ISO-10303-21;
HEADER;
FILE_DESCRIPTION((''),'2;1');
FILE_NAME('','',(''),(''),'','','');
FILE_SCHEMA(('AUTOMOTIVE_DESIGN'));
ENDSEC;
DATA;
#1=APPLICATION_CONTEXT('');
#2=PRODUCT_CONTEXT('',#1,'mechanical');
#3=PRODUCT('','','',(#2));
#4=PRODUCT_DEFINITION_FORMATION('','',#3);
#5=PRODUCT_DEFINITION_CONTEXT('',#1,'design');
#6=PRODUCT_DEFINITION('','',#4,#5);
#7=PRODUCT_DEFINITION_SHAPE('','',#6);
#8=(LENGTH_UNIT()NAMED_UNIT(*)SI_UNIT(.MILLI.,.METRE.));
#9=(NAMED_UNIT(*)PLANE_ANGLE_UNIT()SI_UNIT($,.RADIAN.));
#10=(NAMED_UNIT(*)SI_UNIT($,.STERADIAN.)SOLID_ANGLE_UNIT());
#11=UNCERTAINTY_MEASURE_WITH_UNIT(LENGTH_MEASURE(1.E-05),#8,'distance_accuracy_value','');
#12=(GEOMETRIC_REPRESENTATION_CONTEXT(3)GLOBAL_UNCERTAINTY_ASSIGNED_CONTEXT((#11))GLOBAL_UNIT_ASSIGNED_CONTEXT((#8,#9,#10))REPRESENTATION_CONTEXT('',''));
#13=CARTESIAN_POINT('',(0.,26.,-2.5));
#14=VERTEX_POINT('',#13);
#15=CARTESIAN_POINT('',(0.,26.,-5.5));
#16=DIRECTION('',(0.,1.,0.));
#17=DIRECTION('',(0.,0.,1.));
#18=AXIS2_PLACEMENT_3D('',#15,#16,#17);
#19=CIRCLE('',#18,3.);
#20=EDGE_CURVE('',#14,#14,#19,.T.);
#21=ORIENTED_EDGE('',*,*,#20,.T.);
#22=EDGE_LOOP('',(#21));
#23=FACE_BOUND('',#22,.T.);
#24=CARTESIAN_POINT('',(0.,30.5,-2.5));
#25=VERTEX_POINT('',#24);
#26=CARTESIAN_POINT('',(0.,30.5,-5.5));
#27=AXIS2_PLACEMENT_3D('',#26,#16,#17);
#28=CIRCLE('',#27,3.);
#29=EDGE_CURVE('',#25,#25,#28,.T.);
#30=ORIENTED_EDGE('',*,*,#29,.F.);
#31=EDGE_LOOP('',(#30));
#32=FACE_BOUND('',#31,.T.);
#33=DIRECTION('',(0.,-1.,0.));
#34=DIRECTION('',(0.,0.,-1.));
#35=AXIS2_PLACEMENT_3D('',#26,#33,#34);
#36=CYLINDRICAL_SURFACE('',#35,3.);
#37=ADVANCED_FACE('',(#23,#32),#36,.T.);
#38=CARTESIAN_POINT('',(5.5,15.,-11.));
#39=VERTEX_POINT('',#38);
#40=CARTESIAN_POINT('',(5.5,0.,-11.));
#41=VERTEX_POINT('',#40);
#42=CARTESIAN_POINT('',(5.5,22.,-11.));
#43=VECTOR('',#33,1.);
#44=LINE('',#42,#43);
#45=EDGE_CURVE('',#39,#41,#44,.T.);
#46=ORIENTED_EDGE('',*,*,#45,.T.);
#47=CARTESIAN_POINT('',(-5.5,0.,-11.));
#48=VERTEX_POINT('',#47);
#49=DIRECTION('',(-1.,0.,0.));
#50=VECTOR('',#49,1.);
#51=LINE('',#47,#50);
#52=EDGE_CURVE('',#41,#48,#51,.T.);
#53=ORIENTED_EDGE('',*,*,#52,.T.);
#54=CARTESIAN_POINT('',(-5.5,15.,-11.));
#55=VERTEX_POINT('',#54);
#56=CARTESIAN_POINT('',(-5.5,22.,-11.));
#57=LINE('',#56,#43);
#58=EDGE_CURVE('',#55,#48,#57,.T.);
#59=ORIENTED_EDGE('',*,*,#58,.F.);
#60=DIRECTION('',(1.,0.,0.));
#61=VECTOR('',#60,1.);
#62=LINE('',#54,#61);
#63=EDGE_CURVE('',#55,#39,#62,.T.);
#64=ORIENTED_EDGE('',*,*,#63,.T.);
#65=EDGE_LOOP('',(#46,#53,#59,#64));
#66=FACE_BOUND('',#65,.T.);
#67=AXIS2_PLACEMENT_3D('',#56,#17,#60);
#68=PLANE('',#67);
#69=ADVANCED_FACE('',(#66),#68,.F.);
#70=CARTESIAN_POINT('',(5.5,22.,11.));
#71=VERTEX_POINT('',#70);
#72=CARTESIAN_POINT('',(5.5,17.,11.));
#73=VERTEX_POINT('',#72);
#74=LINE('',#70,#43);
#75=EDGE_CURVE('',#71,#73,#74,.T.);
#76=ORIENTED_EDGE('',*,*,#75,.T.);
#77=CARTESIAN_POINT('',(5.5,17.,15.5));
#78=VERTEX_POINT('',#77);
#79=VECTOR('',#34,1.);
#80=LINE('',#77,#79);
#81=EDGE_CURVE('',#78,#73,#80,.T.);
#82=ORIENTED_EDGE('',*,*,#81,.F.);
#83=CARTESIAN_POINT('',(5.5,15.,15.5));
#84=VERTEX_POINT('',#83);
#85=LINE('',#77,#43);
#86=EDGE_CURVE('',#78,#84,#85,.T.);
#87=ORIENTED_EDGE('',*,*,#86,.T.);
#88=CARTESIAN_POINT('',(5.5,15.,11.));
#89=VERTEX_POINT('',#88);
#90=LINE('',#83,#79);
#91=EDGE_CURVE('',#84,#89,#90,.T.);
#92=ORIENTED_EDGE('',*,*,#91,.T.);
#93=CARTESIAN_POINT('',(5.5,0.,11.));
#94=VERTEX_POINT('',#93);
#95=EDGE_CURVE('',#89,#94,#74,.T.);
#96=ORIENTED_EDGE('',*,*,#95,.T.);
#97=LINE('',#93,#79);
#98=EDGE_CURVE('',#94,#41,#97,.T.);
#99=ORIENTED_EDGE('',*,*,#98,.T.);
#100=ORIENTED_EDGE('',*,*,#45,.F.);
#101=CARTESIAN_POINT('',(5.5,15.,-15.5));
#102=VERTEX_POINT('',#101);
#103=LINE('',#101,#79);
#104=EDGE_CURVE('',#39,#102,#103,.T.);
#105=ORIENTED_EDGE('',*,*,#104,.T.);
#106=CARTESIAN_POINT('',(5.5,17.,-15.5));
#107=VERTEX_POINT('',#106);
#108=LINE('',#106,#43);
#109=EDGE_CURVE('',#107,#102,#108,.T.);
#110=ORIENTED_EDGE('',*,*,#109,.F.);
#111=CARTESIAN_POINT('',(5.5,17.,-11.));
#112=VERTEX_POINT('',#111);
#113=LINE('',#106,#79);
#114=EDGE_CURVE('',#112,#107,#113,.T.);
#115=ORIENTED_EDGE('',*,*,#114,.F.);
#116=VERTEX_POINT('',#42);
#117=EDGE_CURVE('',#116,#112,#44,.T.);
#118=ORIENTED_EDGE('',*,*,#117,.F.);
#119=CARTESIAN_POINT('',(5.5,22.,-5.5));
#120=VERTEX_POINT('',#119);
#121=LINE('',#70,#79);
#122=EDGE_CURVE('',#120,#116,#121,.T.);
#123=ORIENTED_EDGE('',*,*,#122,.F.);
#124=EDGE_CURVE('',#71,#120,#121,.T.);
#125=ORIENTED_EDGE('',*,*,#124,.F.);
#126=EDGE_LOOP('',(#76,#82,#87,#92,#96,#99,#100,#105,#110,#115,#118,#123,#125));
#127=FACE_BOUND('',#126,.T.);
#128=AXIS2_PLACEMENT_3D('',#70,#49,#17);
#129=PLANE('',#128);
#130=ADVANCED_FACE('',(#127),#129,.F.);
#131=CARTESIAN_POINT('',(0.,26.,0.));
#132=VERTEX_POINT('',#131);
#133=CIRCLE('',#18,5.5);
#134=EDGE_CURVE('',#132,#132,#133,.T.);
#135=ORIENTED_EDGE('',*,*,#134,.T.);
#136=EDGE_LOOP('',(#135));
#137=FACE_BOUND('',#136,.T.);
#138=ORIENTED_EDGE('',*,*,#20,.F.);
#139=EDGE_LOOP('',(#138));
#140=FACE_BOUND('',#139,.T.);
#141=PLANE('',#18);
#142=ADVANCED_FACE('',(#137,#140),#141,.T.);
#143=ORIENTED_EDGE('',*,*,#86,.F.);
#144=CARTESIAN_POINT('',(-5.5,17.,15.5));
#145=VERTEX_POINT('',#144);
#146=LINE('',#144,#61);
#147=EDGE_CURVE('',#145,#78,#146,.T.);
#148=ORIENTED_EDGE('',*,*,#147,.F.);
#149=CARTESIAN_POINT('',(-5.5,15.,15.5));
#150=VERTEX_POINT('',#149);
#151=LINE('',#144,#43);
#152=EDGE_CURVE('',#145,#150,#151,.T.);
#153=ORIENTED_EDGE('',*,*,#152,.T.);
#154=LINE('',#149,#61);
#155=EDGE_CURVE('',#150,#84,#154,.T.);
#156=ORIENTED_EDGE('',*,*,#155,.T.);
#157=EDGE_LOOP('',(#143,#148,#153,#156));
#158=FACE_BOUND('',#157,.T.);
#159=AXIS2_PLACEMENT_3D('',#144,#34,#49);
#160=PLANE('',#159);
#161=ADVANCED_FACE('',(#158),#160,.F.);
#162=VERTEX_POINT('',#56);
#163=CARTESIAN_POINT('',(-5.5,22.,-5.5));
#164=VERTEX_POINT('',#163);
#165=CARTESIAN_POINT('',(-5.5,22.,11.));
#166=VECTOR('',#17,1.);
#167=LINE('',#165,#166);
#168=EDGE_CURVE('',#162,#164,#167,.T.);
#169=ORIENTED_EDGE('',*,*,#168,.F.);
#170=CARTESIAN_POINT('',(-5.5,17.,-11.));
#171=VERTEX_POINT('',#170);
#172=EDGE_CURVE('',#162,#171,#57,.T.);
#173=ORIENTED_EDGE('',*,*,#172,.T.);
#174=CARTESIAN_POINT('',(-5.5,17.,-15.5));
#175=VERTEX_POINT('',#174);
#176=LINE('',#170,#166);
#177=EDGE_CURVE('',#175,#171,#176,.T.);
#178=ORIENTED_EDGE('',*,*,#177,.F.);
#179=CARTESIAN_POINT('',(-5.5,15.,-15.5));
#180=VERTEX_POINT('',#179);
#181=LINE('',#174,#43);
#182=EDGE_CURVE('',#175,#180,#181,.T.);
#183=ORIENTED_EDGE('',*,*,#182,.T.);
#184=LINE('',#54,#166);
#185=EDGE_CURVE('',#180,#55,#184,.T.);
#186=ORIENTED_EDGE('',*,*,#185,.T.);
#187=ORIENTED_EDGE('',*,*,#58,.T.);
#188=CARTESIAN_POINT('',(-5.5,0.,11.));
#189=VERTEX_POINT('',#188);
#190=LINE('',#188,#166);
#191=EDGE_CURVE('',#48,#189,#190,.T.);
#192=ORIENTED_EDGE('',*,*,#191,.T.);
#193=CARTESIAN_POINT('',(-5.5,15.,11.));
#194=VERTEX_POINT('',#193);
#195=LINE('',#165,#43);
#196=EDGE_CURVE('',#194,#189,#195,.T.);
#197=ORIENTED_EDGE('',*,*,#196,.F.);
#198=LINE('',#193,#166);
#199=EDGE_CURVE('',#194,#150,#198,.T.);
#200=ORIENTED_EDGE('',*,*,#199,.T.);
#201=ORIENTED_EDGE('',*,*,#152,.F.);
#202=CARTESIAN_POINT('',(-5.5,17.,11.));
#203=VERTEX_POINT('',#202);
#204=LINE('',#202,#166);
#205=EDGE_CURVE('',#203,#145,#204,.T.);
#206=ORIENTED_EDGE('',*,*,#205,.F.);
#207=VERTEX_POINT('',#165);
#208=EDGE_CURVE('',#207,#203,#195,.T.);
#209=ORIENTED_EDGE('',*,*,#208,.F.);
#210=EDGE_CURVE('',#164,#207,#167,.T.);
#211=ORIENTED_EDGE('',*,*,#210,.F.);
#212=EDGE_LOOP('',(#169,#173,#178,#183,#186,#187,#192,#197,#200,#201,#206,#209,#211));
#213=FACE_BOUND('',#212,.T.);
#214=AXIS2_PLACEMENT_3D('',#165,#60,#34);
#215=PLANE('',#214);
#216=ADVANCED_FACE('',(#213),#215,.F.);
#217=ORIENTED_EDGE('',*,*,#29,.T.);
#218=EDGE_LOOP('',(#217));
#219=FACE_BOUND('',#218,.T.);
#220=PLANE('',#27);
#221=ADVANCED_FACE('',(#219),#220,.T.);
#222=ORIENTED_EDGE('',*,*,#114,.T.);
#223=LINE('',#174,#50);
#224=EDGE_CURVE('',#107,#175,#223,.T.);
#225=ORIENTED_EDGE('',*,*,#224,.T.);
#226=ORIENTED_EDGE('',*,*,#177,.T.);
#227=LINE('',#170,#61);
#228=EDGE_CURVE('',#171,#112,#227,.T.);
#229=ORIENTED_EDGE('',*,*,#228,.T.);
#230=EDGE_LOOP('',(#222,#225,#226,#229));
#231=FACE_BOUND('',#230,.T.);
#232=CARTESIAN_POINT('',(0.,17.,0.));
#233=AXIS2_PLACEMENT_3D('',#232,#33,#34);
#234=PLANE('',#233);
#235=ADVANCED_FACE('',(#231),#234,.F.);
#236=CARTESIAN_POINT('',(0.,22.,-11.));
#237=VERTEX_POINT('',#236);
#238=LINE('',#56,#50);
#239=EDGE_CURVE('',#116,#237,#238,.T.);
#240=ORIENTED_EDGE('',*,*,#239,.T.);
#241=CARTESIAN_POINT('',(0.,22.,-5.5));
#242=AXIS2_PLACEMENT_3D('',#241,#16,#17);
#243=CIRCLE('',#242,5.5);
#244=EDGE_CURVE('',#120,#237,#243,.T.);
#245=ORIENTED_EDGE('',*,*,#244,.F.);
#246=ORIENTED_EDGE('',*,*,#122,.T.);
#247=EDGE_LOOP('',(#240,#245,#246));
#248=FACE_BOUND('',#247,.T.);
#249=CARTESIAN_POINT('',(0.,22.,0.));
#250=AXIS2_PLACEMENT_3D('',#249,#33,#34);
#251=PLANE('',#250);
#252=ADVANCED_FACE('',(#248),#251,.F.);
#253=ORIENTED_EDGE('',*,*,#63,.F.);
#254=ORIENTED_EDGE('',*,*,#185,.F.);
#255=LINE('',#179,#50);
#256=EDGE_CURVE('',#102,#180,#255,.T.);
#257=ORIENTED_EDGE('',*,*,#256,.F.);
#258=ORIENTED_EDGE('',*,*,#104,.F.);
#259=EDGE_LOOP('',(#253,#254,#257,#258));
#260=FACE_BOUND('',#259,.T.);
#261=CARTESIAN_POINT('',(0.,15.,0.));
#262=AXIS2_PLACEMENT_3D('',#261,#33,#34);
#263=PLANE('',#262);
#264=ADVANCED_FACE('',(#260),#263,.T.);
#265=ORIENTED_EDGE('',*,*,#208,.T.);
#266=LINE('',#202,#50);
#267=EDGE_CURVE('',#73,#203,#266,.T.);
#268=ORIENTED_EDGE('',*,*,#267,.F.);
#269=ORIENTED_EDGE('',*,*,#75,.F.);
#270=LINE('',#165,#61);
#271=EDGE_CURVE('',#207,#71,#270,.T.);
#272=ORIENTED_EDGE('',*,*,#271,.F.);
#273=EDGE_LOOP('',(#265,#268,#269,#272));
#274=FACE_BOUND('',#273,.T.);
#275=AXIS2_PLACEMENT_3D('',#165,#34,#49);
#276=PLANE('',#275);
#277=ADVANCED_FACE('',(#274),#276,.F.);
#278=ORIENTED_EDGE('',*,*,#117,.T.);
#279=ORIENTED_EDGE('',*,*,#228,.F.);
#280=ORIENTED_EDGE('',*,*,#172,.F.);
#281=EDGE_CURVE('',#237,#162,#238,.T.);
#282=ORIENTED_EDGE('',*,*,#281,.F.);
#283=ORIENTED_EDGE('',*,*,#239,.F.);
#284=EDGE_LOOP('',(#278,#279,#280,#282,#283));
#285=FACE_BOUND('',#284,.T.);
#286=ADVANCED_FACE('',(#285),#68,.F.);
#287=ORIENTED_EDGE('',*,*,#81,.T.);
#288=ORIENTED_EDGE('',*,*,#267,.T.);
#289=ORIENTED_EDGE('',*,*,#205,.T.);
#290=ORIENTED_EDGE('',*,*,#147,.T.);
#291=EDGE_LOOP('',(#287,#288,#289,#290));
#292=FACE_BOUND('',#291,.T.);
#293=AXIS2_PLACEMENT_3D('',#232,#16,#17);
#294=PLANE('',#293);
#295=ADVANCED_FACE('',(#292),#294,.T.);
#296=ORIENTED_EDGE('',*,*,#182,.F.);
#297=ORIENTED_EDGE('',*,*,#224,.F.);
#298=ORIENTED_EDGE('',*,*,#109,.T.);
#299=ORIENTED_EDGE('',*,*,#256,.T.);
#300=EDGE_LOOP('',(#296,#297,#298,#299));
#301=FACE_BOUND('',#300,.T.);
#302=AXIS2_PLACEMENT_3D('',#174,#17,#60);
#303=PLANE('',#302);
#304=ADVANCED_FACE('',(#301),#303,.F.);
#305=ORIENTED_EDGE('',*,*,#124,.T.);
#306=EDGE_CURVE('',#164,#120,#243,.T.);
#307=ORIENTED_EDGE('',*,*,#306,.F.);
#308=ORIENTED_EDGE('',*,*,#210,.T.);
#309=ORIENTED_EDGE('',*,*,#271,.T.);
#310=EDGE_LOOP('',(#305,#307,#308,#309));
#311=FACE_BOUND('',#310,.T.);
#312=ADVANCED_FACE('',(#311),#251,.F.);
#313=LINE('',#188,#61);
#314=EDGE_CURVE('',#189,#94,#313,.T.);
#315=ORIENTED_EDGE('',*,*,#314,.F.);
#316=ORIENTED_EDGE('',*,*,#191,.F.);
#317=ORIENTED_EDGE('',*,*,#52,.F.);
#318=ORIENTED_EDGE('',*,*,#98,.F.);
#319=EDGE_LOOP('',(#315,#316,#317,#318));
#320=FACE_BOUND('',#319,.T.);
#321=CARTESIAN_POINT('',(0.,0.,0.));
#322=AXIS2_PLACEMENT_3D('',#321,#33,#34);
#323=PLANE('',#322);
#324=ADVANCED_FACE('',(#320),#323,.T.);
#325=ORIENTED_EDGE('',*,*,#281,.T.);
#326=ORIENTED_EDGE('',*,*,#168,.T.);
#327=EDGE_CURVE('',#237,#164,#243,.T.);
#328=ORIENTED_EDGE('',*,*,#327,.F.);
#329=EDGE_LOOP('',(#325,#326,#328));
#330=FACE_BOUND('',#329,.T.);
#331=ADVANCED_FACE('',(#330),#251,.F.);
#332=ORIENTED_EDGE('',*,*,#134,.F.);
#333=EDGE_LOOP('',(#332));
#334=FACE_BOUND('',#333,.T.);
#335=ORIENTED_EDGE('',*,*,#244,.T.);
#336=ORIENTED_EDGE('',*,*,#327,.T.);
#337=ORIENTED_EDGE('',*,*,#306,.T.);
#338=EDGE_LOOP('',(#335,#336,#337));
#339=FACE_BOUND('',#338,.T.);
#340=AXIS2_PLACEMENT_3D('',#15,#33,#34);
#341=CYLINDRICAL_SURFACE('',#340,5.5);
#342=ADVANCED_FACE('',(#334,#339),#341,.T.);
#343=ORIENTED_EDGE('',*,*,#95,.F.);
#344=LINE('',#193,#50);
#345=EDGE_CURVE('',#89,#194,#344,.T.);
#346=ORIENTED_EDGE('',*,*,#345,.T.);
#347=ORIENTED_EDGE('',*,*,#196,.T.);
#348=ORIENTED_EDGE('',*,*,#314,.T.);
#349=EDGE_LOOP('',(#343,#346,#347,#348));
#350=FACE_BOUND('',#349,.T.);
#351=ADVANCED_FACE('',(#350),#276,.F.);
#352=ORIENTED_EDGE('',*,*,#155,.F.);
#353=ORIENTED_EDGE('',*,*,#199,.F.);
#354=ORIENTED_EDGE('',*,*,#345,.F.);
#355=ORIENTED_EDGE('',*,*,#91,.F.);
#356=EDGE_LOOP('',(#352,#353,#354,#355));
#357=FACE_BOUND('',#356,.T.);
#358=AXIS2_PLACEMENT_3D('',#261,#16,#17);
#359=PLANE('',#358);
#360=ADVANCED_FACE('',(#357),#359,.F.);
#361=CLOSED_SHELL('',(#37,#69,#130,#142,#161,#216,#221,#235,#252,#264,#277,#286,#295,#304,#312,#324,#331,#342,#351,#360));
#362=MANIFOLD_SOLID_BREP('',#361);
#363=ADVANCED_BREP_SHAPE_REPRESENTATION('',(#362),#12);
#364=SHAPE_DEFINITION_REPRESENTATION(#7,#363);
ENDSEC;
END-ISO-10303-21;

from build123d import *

# Parameters (mm, degrees)
SKETCH2_W           = 11
SKETCH2_H           = 22
BOSS_EXTRUDE1_DEPTH = 22
SKETCH3_W           = 11
SKETCH3_H           = 4.5
BOSS_EXTRUDE2_DEPTH = 2
SKETCH4_R           = 5.5
BOSS_EXTRUDE3_DEPTH = 4
SKETCH5_R           = 3
BOSS_EXTRUDE4_DEPTH = 4.5


with BuildPart() as part:
    # Sketch2 → Boss-Extrude1 (new body)
    with BuildSketch(Plane(origin=(0, 0, 0), x_dir=(1, 0, 0), z_dir=(0, 1, 0))):
        Rectangle(SKETCH2_W, SKETCH2_H)
    extrude(amount=BOSS_EXTRUDE1_DEPTH)

    # Sketch3 → Boss-Extrude2 (add)
    with BuildSketch(Plane(origin=(0, 15, 0), x_dir=(1, 0, 0), z_dir=(0, 1, 0))):
        with Locations((0, 13.25)):
            Rectangle(SKETCH3_W, SKETCH3_H)
        with Locations((0, -13.25)):
            Rectangle(SKETCH3_W, SKETCH3_H)
    extrude(amount=BOSS_EXTRUDE2_DEPTH)

    # Sketch4 → Boss-Extrude3 (add)
    with BuildSketch(Plane(origin=(0, 22, 0), x_dir=(1, 0, 0), z_dir=(0, 1, 0))):
        with Locations((0, 5.5)):
            Circle(SKETCH4_R)
    extrude(amount=BOSS_EXTRUDE3_DEPTH)

    # Sketch5 → Boss-Extrude4 (add)
    with BuildSketch(Plane(origin=(0, 26, 0), x_dir=(1, 0, 0), z_dir=(0, 1, 0))):
        with Locations((0, 5.5)):
            Circle(SKETCH5_R)
    extrude(amount=BOSS_EXTRUDE4_DEPTH)


solid = part.part
